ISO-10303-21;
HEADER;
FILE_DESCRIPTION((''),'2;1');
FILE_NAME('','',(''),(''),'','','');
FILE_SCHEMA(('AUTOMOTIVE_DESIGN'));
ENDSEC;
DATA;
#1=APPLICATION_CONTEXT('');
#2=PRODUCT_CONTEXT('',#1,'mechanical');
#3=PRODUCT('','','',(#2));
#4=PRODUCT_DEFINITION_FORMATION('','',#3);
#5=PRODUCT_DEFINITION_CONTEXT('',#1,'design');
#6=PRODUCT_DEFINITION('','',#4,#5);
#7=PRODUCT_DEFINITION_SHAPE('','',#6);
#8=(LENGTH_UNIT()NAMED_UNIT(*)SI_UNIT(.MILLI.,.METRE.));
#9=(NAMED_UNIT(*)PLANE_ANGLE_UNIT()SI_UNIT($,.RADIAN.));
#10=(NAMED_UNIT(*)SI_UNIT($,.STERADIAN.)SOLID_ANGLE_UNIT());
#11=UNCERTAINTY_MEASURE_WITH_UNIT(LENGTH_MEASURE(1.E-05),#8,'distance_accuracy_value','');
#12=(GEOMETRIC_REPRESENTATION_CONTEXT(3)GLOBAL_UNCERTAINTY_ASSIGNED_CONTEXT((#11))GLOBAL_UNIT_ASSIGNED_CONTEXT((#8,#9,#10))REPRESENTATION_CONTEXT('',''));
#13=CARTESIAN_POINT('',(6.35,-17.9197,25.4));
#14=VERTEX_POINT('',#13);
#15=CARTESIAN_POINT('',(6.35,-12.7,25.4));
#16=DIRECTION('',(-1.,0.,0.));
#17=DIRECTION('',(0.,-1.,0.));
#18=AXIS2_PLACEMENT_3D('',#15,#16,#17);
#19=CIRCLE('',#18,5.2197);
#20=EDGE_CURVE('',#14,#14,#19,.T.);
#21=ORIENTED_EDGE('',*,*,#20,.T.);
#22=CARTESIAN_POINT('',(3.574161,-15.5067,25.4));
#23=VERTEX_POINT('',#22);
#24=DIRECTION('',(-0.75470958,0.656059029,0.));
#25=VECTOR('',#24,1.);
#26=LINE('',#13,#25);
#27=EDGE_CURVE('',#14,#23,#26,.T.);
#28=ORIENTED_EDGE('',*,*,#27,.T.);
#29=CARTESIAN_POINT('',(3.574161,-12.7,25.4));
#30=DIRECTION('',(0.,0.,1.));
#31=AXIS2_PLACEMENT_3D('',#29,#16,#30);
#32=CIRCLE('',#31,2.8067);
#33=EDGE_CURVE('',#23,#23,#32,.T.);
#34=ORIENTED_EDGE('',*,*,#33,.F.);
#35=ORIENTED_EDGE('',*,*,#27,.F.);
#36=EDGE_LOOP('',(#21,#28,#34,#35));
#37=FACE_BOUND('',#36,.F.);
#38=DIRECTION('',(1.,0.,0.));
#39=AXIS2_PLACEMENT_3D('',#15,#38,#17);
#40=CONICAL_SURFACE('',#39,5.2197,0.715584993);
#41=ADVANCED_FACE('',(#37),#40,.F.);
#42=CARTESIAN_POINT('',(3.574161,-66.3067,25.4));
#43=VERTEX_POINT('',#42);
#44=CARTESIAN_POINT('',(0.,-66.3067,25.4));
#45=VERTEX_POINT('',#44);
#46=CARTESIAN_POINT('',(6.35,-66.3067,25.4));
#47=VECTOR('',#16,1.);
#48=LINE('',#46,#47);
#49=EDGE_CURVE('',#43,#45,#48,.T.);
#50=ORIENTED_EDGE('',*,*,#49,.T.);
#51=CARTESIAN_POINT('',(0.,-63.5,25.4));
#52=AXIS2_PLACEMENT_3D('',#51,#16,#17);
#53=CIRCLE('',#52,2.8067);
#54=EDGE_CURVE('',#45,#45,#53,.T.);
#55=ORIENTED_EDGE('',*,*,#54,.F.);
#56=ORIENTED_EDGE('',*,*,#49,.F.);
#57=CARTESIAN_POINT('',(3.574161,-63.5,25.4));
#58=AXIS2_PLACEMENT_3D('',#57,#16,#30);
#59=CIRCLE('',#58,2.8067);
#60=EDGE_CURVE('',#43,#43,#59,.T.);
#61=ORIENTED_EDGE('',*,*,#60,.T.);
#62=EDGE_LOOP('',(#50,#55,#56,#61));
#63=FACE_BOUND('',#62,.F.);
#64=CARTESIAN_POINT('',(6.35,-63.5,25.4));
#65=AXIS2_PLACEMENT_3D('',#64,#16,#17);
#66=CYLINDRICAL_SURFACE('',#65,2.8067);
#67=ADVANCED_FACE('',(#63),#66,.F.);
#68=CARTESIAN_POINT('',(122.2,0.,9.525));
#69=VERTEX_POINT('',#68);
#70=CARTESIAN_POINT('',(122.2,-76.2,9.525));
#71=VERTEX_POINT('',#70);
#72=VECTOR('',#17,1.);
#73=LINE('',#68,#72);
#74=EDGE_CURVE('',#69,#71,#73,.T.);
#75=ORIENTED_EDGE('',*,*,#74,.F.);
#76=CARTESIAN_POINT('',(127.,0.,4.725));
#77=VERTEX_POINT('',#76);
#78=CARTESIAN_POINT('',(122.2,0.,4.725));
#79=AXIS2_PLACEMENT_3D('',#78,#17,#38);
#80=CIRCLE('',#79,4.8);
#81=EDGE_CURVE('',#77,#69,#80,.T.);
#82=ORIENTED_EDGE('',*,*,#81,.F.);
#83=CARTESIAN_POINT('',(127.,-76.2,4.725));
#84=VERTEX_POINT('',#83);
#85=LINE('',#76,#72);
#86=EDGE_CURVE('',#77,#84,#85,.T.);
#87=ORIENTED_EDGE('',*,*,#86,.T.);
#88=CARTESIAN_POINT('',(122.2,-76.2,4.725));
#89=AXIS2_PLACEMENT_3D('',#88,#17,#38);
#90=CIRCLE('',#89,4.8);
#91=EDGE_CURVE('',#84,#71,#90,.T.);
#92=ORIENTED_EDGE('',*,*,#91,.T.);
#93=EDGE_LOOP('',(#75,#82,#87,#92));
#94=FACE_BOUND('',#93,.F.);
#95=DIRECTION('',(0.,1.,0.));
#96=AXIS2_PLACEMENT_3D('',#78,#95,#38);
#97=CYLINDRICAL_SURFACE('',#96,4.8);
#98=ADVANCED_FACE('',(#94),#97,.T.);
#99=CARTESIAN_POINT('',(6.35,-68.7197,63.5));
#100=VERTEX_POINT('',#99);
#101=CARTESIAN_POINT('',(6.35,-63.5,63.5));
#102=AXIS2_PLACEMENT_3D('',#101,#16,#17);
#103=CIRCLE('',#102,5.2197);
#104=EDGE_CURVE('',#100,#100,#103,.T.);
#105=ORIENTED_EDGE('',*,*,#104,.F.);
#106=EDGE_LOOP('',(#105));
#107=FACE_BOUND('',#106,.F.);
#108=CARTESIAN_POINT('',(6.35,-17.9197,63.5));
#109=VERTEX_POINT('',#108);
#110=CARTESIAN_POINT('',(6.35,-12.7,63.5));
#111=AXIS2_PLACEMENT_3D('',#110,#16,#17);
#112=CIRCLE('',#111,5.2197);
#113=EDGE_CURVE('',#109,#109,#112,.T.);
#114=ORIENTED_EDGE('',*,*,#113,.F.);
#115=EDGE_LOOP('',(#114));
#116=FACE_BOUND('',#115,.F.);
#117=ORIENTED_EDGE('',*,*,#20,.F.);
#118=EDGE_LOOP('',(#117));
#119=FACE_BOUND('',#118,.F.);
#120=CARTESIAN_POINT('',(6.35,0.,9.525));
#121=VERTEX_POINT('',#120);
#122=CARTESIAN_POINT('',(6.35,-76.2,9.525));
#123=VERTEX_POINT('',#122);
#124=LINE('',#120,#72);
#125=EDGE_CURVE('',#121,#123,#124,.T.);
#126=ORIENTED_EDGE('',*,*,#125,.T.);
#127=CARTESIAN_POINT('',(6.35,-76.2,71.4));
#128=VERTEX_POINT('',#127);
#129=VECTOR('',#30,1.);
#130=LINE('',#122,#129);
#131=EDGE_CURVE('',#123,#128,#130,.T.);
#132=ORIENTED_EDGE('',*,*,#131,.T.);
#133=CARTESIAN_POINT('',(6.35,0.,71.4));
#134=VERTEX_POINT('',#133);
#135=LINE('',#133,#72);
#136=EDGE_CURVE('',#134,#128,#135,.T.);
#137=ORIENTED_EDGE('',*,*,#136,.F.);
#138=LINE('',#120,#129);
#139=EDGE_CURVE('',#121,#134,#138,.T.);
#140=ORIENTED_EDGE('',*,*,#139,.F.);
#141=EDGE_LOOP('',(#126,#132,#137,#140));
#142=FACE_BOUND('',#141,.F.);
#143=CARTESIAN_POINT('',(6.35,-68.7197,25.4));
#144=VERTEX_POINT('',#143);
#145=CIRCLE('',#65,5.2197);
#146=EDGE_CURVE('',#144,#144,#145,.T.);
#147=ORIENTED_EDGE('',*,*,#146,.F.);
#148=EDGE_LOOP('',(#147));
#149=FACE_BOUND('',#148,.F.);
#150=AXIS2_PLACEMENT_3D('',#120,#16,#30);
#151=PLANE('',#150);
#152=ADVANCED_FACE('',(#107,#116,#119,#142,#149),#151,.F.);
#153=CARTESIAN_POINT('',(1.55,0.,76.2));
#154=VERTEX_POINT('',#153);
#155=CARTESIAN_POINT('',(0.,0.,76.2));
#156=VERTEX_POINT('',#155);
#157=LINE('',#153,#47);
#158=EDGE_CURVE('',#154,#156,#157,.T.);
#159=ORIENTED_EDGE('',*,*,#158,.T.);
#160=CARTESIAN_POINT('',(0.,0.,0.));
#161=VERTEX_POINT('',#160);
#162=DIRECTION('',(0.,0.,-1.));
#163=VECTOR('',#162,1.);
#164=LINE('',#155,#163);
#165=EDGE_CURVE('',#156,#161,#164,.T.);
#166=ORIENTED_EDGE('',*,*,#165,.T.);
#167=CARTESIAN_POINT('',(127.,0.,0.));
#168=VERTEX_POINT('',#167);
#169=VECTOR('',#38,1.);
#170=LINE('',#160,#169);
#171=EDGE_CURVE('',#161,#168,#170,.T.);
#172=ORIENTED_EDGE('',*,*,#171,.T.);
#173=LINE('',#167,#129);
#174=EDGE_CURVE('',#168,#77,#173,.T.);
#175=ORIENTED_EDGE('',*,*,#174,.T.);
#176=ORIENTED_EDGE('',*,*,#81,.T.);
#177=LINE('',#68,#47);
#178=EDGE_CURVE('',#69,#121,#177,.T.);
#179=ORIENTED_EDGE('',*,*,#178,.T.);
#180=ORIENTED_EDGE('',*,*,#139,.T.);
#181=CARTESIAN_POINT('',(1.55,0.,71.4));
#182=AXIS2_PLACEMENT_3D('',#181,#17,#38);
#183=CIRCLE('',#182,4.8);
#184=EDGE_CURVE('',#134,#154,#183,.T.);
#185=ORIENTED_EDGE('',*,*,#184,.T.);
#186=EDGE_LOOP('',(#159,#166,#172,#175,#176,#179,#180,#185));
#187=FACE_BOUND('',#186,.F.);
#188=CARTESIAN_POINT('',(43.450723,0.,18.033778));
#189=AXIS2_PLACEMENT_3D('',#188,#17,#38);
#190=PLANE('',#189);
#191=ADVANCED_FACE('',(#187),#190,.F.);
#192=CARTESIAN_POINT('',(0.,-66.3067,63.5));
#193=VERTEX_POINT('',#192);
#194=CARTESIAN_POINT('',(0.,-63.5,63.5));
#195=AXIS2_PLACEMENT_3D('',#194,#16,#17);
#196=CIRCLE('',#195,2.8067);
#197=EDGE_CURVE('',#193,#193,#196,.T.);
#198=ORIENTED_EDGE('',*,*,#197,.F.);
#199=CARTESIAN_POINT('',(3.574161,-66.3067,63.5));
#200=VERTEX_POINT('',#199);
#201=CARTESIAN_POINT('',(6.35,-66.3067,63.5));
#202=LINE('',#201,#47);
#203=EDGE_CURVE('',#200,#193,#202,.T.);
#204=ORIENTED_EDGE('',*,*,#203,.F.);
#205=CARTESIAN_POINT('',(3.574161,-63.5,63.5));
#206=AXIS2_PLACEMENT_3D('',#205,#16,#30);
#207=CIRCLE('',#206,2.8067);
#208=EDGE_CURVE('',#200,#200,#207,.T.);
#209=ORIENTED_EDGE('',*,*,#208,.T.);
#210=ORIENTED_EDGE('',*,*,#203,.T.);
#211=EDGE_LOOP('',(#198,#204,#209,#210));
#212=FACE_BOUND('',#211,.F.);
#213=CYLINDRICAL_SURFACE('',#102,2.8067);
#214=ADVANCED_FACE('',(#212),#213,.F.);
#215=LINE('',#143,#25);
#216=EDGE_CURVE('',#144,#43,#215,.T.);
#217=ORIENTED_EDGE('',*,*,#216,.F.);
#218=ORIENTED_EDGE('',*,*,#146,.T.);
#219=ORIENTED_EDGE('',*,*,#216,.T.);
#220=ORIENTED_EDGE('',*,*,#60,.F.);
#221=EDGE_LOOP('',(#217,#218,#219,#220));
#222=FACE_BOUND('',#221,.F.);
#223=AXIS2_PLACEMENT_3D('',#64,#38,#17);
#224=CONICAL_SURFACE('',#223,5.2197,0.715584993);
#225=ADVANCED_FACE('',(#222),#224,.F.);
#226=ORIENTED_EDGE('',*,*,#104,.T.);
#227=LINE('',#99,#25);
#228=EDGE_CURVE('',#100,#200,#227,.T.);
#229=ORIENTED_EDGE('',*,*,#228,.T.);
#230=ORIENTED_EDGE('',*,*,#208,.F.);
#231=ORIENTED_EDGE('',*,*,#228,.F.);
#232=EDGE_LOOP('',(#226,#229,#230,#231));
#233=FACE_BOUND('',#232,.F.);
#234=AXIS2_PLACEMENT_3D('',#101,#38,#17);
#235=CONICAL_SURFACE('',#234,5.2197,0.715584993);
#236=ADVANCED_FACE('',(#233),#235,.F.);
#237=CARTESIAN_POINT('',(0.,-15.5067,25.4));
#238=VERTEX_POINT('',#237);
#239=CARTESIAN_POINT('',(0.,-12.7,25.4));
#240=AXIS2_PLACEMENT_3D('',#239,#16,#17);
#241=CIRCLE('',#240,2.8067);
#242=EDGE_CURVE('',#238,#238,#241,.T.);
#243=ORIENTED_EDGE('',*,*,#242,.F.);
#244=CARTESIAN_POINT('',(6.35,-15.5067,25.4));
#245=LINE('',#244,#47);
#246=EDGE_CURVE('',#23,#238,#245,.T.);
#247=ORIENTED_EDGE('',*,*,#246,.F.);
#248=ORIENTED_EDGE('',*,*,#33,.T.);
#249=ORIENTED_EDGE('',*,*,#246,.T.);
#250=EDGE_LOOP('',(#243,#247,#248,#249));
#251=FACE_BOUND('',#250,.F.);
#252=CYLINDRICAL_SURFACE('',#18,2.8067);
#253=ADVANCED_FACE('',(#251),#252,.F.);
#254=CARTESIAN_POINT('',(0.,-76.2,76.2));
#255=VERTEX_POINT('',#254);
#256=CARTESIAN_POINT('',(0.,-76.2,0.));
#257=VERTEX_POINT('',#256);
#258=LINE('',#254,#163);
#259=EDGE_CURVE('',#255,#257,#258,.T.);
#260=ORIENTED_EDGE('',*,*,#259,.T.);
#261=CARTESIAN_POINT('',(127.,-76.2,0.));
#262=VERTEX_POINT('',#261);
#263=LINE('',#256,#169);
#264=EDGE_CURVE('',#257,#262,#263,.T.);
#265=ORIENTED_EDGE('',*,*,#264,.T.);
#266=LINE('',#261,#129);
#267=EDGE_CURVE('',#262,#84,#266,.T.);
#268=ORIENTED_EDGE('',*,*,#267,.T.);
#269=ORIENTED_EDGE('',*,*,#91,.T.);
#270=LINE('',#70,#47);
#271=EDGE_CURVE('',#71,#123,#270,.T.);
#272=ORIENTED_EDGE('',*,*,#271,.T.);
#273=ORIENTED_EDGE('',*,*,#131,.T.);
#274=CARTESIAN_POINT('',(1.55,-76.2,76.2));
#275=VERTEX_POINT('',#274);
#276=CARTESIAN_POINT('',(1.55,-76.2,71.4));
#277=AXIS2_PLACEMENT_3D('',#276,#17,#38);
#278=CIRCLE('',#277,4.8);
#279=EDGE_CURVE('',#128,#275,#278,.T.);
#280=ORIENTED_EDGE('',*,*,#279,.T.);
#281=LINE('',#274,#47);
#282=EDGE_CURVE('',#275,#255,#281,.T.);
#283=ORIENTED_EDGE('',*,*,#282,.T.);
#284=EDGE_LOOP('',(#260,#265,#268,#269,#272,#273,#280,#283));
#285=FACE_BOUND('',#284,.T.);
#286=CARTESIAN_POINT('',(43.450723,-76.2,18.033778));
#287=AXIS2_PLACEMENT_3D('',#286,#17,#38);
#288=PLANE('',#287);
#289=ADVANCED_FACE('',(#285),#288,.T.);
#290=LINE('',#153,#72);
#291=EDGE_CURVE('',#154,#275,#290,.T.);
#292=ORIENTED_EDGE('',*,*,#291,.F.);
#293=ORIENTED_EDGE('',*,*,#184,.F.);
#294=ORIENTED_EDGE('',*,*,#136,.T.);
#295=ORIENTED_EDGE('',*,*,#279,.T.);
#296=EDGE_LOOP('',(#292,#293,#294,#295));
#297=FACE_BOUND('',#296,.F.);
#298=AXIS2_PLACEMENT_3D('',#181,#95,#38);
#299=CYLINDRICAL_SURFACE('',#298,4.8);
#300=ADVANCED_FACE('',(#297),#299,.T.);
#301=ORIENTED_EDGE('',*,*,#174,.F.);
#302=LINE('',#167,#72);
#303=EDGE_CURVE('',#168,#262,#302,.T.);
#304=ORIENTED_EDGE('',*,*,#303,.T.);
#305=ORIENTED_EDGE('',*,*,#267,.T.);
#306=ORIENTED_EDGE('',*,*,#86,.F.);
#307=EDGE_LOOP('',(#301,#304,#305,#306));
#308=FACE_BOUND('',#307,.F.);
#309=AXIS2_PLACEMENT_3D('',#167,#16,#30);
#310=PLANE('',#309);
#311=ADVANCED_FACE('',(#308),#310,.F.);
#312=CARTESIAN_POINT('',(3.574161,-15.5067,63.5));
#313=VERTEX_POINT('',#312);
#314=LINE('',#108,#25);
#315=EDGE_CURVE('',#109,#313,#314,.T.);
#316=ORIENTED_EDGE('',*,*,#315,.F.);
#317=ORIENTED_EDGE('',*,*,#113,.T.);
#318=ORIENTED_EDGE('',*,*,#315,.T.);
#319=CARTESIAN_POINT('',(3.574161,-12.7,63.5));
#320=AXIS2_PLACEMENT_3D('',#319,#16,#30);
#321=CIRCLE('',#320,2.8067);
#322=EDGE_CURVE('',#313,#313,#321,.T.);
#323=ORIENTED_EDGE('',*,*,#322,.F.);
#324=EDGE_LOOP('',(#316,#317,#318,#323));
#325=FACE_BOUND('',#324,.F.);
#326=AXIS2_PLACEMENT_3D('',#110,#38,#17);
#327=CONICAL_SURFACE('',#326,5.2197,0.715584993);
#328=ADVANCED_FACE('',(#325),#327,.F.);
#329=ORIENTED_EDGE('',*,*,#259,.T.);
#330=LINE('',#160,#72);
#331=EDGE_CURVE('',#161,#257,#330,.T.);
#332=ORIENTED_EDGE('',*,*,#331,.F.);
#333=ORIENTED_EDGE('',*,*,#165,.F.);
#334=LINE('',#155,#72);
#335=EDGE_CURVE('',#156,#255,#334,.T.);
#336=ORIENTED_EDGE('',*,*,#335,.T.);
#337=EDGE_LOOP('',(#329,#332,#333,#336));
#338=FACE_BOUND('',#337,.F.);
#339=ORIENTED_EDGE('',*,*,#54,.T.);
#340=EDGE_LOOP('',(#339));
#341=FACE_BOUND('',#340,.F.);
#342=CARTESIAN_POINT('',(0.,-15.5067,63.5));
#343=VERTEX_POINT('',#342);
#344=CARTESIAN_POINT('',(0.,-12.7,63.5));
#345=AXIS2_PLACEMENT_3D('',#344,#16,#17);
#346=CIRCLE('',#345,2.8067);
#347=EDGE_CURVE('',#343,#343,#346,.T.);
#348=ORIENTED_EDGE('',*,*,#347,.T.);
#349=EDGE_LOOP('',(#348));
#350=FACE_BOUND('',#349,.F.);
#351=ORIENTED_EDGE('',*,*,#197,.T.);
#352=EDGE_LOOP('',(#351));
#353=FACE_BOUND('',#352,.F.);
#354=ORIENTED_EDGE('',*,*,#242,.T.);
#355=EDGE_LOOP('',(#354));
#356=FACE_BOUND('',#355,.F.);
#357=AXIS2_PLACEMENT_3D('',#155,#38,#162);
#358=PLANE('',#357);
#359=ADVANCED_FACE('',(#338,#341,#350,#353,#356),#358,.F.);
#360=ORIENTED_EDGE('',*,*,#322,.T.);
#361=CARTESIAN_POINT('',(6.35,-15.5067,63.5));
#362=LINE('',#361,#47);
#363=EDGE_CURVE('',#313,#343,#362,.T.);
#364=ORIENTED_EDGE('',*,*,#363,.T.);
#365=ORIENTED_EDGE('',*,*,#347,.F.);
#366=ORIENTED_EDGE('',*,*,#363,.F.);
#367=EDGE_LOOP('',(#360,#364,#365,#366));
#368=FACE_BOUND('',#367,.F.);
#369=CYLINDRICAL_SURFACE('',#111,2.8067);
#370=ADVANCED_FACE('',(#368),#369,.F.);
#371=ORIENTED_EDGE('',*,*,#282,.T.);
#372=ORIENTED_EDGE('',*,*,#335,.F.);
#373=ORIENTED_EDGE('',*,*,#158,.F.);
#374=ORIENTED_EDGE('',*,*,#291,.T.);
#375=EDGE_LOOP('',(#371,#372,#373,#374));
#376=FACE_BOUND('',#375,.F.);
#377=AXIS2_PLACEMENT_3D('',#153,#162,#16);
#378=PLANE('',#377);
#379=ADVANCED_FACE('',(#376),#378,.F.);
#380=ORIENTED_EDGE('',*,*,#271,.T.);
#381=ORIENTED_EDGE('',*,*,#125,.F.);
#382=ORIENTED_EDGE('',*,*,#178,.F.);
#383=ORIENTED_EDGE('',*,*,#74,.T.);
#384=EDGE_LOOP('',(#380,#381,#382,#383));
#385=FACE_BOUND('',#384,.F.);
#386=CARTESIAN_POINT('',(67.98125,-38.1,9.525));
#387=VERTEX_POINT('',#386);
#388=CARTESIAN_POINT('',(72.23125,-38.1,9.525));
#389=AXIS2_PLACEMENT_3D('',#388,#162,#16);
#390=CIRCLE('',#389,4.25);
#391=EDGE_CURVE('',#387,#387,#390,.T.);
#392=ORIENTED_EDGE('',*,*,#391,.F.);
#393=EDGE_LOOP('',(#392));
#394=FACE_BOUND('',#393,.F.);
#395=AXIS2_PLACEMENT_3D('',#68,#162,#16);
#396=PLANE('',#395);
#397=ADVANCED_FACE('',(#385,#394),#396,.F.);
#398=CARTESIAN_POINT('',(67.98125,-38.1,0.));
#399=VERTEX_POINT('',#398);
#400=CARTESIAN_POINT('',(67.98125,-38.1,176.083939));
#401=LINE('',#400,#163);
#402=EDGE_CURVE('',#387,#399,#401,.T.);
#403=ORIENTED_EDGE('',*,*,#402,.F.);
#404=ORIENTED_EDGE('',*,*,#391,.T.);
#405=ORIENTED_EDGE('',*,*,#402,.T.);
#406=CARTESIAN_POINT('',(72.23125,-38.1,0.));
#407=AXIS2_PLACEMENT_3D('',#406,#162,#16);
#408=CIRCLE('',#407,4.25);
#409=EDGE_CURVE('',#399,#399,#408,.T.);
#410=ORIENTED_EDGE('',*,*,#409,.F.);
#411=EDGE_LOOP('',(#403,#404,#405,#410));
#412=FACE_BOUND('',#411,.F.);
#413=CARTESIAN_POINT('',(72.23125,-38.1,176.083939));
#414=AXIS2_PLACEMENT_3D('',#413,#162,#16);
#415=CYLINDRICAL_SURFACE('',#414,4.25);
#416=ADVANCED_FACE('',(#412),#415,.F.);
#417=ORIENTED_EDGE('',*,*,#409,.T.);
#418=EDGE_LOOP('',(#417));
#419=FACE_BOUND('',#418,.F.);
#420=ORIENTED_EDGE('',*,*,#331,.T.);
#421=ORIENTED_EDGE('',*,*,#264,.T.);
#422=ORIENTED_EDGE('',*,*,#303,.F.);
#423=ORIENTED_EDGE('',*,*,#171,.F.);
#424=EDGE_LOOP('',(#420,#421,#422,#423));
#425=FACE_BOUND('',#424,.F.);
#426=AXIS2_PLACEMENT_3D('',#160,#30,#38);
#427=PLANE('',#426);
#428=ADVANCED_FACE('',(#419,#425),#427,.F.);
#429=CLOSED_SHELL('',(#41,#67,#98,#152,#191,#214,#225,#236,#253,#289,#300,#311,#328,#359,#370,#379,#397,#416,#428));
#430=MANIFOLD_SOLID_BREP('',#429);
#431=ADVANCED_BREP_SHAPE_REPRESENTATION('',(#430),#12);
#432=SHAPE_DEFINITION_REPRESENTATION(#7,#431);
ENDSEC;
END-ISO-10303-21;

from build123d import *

# Parameters (mm, degrees)
F1_DEPTH       = 76.2
F3_D           = 8.5
F5_D           = 5.6134
F5_CSINK_D     = 10.4394
F5_CSINK_ANGLE = 82


with BuildPart() as f1:
    # F0 (on Front) → F1 (new body)
    with BuildSketch(Plane.XZ):
        with BuildLine():
            Line((0, 76.2), (0, 0))
            Line((0, 0), (127, 0))
            Line((127, 0), (127, 4.725))
            ThreePointArc((127, 4.725), (125.5941125497, 8.1191125497), (122.2, 9.525))
            Line((122.2, 9.525), (6.35, 9.525))
            Line((6.35, 9.525), (6.35, 71.4))
            ThreePointArc((6.35, 71.4), (4.9441125497, 74.7941125497), (1.55, 76.2))
            Line((1.55, 76.2), (0, 76.2))
        make_face()
    extrude(amount=F1_DEPTH)

    # F3 (through all)
    with Locations(Plane.XY.offset(9.525)):
        with Locations((72.23125, -38.1)):
            Hole(F3_D / 2)

    # F5 (through all)
    with Locations(Plane.YZ.offset(6.35)):
        with Locations((-63.5, 63.5), (-63.5, 25.4), (-12.7, 25.4), (-12.7, 63.5)):
            CounterSinkHole(F5_D / 2, F5_CSINK_D / 2, counter_sink_angle=F5_CSINK_ANGLE)


solid = f1.part
